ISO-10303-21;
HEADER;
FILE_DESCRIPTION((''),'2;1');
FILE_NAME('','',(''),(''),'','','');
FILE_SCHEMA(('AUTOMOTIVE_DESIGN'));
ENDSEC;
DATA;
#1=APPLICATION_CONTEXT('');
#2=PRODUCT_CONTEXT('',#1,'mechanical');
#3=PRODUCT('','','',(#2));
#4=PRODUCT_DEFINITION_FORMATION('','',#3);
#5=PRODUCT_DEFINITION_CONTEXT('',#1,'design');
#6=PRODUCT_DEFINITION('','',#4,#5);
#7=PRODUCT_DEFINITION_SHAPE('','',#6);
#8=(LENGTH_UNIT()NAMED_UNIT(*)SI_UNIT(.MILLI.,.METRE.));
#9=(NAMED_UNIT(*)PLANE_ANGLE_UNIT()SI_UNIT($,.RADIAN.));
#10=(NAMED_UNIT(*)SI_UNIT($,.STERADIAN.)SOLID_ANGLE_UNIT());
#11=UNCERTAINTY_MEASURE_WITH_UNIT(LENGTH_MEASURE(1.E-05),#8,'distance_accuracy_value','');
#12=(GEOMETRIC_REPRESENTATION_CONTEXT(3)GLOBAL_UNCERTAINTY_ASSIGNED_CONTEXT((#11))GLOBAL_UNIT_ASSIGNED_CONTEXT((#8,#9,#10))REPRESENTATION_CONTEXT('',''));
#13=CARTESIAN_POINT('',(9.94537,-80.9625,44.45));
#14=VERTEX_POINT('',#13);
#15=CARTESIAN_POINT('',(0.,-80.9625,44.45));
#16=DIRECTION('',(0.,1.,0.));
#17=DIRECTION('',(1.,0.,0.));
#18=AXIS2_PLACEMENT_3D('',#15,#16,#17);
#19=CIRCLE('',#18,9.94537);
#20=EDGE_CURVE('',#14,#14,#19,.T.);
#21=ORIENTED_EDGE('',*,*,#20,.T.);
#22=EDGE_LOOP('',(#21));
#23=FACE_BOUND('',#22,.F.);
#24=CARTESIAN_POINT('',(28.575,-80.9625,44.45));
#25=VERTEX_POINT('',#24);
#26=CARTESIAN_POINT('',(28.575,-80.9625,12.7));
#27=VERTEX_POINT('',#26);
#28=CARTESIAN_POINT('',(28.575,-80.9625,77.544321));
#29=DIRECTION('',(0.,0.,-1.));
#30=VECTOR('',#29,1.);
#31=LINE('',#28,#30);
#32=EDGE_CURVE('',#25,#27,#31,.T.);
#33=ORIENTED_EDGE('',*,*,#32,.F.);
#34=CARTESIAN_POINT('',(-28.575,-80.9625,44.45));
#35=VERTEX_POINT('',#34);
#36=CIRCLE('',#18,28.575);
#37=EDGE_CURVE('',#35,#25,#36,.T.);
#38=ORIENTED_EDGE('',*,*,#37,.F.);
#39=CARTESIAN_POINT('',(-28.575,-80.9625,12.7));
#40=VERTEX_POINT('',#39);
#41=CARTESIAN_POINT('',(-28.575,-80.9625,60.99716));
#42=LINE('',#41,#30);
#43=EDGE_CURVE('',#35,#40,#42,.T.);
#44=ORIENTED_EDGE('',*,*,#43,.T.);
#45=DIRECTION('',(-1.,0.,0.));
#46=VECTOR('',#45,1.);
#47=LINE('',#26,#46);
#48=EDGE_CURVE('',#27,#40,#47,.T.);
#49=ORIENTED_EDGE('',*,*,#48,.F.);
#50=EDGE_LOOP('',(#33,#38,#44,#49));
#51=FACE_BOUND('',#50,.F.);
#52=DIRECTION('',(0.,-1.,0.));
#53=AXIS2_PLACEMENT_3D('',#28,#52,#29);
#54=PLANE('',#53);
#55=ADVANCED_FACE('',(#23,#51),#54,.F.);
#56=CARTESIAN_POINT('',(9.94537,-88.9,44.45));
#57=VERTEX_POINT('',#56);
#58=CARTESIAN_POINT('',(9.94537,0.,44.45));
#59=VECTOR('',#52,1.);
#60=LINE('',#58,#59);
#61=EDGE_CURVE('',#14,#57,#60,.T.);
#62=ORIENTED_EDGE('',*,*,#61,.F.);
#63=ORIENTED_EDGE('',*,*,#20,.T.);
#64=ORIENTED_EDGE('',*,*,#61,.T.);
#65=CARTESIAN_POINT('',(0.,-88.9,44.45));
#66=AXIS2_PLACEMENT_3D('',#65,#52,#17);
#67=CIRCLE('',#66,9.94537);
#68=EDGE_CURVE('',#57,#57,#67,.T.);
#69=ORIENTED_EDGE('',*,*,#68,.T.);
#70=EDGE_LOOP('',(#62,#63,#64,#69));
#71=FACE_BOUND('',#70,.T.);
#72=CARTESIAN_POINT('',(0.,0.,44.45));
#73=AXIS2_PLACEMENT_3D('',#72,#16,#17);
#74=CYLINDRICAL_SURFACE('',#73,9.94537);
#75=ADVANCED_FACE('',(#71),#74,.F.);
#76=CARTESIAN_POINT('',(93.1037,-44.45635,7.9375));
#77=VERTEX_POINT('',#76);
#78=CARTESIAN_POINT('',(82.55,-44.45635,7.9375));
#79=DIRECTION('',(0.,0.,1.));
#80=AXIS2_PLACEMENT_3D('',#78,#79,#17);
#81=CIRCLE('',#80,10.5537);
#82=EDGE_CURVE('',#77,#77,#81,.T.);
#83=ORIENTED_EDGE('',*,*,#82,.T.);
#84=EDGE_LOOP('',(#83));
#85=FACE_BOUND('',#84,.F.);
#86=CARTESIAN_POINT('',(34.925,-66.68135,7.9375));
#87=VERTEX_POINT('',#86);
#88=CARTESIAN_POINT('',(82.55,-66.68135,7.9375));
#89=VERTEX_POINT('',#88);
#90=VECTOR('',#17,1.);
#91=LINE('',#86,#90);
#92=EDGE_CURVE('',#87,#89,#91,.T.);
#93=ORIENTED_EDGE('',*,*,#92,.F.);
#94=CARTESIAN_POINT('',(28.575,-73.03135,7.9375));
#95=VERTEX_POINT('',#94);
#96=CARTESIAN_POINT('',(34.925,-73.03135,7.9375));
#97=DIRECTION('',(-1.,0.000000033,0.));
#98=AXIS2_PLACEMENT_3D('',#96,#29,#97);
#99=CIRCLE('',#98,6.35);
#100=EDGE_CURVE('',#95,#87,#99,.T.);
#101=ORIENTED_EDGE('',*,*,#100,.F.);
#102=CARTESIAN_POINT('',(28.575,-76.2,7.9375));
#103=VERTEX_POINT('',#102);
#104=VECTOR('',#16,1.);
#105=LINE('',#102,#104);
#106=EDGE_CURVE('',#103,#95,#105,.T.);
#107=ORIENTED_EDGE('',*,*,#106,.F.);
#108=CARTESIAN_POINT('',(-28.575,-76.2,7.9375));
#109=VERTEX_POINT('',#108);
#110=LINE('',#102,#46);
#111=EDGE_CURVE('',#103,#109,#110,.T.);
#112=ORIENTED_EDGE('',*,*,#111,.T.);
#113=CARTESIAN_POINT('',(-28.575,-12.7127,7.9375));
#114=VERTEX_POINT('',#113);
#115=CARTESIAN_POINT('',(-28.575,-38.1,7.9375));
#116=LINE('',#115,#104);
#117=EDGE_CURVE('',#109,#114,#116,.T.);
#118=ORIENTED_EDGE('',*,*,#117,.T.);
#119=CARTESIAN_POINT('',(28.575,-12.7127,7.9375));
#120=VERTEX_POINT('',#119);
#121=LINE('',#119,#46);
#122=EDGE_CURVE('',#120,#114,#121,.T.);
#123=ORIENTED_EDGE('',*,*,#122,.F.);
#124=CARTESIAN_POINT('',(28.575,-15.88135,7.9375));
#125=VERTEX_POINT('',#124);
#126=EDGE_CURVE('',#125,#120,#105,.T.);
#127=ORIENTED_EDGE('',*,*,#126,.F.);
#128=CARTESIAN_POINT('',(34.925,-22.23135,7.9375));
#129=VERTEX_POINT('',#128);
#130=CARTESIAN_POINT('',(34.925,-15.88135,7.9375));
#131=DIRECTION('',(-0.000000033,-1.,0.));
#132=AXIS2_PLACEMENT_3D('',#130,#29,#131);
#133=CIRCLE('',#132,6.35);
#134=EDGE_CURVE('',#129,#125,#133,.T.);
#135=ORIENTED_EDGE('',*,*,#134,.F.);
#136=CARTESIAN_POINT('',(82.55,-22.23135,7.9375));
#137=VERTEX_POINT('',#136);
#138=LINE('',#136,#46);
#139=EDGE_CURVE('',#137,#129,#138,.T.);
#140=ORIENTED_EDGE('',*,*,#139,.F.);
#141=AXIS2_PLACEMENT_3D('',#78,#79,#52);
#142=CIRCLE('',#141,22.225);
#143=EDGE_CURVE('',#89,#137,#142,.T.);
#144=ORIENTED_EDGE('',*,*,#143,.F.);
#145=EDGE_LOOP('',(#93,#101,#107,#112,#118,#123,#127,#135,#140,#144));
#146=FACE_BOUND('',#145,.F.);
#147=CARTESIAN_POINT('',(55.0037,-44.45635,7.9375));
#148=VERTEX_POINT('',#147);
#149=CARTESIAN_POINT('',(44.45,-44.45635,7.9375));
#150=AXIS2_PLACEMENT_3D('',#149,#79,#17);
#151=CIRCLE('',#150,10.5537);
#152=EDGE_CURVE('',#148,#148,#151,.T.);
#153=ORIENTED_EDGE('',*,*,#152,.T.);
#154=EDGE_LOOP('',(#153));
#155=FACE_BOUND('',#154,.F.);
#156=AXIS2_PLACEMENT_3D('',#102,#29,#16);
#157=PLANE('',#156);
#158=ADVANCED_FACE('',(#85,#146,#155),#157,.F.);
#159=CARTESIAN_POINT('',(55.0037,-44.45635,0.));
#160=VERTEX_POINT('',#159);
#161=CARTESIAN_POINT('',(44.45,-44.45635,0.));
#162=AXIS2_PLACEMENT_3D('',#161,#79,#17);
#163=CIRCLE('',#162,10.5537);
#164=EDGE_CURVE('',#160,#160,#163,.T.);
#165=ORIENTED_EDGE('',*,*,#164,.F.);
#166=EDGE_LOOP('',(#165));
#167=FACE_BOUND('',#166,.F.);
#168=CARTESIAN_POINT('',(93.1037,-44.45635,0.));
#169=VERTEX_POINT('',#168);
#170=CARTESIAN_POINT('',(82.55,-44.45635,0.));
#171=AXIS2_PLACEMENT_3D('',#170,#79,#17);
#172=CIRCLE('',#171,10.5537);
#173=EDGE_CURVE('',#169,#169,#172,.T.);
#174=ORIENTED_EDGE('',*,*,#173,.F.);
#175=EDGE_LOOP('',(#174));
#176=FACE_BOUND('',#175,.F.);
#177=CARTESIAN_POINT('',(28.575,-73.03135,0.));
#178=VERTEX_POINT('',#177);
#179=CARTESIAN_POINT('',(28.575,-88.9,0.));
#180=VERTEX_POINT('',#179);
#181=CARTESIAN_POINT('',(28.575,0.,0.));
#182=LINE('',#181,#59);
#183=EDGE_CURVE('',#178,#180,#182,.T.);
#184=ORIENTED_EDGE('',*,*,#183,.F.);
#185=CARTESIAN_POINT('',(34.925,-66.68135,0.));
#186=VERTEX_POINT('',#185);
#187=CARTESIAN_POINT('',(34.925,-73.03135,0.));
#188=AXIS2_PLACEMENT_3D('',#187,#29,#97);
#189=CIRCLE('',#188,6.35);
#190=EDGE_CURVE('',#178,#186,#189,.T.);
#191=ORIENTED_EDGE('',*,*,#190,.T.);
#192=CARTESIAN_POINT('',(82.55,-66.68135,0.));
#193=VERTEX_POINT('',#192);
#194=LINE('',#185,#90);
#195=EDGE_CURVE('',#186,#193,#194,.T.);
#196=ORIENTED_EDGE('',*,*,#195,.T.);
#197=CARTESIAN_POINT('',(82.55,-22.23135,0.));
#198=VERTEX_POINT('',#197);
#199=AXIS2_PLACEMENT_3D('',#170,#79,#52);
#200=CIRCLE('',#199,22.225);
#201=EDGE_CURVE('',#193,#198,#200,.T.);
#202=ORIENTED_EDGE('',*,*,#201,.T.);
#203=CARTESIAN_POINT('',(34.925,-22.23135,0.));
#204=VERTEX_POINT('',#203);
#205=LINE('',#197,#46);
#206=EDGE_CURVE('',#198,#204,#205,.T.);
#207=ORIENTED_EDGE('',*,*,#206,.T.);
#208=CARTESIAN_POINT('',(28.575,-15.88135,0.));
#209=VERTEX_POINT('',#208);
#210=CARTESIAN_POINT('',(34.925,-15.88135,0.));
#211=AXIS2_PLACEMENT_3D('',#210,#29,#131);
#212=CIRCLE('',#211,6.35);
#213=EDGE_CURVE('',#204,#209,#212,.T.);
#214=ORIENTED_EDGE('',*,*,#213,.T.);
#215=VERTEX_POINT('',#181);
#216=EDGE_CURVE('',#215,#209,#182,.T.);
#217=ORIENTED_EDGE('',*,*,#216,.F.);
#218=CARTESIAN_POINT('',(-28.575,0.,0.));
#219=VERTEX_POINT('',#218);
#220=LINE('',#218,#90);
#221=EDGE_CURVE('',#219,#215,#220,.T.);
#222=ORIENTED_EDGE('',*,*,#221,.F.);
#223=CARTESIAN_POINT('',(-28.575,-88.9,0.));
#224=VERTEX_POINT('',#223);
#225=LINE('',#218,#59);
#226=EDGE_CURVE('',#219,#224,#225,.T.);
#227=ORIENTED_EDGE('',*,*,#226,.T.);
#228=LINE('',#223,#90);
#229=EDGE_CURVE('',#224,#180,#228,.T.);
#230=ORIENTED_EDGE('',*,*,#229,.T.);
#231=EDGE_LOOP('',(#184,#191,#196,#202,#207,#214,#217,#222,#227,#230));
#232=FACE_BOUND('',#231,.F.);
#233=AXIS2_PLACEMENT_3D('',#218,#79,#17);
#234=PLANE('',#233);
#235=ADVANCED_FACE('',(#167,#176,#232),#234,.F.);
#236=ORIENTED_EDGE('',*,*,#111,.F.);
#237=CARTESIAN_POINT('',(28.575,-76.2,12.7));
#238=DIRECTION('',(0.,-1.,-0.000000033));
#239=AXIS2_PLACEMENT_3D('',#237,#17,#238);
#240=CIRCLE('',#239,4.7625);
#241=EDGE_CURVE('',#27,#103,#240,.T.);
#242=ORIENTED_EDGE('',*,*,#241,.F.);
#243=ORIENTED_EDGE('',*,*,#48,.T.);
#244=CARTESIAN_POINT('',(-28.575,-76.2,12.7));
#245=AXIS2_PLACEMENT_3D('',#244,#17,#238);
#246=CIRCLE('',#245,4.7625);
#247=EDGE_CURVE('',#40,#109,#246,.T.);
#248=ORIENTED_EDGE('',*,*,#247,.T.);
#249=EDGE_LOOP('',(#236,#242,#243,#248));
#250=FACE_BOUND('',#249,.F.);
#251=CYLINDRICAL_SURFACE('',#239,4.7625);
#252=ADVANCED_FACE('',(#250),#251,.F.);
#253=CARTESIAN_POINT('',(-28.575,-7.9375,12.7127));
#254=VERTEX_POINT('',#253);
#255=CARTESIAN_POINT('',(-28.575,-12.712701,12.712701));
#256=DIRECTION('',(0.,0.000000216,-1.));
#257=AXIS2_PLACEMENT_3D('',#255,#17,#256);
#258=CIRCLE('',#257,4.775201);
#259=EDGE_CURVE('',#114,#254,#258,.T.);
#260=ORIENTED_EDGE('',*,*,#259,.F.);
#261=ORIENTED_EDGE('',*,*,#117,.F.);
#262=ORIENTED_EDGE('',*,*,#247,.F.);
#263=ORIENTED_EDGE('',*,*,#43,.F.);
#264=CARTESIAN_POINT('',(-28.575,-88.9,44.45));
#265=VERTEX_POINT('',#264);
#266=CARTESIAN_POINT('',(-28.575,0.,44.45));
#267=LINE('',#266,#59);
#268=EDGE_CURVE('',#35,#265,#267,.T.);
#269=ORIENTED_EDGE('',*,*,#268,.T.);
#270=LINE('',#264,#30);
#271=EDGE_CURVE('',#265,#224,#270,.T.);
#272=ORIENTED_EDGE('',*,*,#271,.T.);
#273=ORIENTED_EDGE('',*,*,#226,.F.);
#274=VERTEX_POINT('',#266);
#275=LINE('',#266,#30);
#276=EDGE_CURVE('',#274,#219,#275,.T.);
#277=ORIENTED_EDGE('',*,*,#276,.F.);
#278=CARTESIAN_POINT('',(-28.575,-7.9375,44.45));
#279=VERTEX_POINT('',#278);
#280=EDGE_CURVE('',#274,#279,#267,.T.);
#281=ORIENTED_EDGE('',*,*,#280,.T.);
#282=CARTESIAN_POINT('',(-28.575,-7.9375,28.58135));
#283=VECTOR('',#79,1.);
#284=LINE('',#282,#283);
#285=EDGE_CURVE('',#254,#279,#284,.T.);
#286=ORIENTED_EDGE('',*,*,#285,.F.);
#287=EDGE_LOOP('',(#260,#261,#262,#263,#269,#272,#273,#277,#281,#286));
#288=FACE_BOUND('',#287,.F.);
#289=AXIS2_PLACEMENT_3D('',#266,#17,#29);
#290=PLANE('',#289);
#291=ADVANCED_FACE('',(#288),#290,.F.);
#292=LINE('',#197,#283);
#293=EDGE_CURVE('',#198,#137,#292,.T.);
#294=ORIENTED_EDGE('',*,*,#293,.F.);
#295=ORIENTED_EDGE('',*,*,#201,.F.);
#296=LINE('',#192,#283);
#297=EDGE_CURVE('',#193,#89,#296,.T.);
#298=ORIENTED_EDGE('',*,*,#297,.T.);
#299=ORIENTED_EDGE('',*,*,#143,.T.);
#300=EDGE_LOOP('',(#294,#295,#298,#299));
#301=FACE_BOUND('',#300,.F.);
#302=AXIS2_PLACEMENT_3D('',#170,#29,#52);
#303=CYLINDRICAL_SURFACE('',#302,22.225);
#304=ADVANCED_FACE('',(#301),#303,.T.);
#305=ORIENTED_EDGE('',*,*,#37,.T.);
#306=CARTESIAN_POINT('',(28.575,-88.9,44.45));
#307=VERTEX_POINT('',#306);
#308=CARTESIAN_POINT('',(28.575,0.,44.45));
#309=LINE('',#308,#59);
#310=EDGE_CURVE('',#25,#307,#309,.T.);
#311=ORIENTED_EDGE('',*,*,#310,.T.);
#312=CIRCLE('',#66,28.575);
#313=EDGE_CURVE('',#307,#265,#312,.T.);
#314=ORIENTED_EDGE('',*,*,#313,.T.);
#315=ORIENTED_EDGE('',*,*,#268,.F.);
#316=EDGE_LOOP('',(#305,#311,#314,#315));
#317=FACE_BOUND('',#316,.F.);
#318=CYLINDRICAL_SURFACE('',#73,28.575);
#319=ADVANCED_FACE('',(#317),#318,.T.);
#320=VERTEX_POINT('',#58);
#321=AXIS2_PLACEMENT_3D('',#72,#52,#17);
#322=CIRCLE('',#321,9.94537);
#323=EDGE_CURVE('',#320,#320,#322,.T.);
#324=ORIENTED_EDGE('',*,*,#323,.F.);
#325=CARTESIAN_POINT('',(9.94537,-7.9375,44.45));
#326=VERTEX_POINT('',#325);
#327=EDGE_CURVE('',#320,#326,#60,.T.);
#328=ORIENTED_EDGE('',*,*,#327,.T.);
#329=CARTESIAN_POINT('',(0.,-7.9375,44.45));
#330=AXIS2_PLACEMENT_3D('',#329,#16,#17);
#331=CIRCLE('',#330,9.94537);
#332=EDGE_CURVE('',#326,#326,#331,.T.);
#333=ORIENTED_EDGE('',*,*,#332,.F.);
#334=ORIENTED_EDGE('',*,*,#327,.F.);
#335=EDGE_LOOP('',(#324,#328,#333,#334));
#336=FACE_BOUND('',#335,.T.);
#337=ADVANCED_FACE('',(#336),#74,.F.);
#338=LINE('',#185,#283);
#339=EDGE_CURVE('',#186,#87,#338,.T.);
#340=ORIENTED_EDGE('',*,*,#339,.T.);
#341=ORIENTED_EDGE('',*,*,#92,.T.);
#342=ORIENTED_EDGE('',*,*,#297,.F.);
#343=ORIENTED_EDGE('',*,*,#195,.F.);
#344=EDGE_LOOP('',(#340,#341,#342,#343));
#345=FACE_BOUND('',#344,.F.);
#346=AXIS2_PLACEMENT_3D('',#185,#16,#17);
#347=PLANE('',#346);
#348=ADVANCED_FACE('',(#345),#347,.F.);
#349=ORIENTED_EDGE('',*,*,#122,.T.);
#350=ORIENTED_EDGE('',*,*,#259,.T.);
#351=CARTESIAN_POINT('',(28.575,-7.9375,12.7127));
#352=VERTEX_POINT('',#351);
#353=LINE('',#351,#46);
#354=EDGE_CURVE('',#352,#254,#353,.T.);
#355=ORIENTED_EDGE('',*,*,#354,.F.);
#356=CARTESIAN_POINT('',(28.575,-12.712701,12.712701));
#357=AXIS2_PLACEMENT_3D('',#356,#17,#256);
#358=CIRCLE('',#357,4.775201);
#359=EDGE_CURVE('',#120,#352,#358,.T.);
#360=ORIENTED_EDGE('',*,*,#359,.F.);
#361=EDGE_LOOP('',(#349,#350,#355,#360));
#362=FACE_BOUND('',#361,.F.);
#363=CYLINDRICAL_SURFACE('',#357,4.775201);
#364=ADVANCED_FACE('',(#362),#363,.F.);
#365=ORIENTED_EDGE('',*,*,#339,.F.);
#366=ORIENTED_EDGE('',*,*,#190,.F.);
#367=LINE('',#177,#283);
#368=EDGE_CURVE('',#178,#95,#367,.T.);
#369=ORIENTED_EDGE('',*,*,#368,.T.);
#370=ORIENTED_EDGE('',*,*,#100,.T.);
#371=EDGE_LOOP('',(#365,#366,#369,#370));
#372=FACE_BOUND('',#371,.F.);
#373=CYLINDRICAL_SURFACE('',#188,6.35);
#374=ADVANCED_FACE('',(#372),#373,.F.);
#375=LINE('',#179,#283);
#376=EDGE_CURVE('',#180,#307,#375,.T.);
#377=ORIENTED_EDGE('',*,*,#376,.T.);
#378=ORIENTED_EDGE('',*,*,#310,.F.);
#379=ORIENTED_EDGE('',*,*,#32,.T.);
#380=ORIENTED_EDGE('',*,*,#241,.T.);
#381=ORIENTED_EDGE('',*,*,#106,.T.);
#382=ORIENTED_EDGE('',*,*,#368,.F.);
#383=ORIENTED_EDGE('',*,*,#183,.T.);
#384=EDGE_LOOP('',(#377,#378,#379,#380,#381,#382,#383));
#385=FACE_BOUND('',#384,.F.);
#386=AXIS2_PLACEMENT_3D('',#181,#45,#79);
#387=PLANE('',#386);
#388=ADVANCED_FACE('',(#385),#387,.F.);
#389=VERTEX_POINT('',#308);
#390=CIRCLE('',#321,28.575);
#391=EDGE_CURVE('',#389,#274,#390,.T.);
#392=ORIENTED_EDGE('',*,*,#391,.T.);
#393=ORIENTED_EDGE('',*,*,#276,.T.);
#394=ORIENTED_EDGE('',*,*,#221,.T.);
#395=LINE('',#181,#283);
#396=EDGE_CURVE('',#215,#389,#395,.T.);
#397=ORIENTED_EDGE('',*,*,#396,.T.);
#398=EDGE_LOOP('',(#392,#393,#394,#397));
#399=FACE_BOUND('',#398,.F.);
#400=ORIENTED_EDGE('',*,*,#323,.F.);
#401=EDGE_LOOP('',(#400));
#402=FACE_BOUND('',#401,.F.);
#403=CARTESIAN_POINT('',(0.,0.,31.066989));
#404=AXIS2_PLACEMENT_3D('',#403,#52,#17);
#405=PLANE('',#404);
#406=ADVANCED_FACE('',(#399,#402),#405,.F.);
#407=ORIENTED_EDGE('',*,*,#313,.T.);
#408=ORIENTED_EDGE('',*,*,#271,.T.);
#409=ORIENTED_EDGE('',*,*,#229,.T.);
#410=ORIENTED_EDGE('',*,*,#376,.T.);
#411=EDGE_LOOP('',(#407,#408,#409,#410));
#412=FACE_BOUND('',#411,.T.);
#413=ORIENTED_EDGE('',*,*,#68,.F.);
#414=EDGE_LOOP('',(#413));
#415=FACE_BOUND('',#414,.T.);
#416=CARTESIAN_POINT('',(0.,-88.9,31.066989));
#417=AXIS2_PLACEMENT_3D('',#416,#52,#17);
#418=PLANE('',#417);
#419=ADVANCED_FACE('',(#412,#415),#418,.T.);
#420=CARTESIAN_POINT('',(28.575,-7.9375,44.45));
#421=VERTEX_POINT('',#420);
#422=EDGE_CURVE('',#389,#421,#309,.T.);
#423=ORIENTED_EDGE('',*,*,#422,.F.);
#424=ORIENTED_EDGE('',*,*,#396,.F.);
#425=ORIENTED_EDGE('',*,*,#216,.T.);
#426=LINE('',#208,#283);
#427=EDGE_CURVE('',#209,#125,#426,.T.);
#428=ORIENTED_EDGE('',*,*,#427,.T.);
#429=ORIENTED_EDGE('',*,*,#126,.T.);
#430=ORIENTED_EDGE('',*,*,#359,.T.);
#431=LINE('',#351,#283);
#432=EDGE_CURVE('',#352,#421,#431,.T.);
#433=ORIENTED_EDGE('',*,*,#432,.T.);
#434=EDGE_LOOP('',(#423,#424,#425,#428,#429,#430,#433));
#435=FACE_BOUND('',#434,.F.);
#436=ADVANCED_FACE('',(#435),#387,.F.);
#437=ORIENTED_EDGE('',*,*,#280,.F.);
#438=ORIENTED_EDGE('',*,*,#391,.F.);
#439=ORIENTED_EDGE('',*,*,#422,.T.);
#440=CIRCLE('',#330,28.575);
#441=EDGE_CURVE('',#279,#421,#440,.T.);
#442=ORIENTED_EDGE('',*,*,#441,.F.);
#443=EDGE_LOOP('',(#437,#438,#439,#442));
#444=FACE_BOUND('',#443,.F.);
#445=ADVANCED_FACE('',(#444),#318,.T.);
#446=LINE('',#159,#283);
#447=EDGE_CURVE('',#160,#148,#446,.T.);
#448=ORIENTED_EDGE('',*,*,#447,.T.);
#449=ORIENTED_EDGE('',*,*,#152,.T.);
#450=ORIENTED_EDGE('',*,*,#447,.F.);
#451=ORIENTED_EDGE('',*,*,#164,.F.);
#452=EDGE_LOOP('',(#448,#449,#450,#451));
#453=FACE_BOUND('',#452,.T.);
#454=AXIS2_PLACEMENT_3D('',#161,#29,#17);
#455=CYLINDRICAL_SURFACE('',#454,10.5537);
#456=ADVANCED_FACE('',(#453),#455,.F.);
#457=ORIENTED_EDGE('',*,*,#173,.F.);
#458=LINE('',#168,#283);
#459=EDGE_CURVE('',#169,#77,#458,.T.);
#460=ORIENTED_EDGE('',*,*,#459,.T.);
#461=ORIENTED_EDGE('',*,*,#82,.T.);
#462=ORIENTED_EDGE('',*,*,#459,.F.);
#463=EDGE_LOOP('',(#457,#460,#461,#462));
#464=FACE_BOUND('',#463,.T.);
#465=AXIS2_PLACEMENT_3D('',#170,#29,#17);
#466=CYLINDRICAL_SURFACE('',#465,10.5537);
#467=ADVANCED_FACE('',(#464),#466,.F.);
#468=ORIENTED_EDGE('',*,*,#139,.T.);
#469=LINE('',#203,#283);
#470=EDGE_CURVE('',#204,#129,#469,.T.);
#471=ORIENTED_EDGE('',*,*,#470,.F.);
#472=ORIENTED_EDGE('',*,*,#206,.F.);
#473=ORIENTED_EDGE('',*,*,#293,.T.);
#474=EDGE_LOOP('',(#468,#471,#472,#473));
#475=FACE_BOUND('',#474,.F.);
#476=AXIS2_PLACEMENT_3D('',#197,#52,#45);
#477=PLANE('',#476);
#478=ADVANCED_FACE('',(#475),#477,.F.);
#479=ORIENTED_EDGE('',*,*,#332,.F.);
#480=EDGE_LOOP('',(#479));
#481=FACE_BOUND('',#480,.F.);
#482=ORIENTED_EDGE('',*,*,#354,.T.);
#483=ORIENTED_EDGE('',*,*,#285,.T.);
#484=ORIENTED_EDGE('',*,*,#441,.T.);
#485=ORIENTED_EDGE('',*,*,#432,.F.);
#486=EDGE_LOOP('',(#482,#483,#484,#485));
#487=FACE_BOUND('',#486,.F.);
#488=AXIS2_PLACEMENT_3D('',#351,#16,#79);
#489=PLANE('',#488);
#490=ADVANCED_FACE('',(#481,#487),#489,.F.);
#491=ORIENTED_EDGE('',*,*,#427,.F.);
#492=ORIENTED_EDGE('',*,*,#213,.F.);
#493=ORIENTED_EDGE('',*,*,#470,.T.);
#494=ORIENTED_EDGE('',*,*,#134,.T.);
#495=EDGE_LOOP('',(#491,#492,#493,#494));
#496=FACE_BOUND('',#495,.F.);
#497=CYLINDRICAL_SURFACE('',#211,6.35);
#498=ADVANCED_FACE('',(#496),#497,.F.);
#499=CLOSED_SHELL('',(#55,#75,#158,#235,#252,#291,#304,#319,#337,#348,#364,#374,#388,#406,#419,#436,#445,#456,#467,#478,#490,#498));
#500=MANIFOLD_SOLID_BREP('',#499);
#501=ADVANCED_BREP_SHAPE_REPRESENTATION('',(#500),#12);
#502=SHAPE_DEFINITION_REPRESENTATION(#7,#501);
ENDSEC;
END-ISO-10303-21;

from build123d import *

# Parameters (mm, degrees)
F0_R     = 9.94537
F1_DEPTH = 88.9
F3_DEPTH = 57.151
F4_R     = 10.5537
F5_DEPTH = 7.9375


with BuildPart() as f1:
    # F0 (on Front) → F1 (new body)
    with BuildSketch(Plane.XZ):
        with BuildLine():
            Line((28.575, 0), (28.575, 44.45))
            ThreePointArc((28.575, 44.45), (0, 73.025), (-28.575, 44.45))
            Line((-28.575, 44.45), (-28.575, 0))
            Line((-28.575, 0), (28.575, 0))
        make_face()
        with Locations((0, 44.45)):
            Circle(F0_R, mode=Mode.SUBTRACT)
    extrude(amount=F1_DEPTH)

    # F2 (on face) → F3 (cut, through all)
    with BuildSketch(Plane.YZ.offset(28.575)):
        with BuildLine():
            Line((-7.9375, 77.544321), (-80.9625, 77.544321))
            Line((-80.9625, 77.544321), (-80.9625, 12.7))
            ThreePointArc((-80.9625, 12.7), (-79.567596, 9.332404), (-76.2, 7.9375))
            Line((-76.2, 7.9375), (-12.7127, 7.9375))
            ThreePointArc((-12.7127, 7.9375), (-9.336124, 9.336124), (-7.9375, 12.7127))
            Line((-7.9375, 12.7127), (-7.9375, 77.544321))
        make_face()
    extrude(amount=-F3_DEPTH, mode=Mode.SUBTRACT)

    # F4 (on Top) → F5 (join)
    with BuildSketch(Plane.XY):
        with BuildLine():
            ThreePointArc((34.925, -22.23135), (30.434872, -20.371478), (28.575, -15.88135))
            Line((28.575, -15.88135), (28.575, -73.03135))
            ThreePointArc((28.575, -73.03135), (30.434872, -68.541222), (34.925, -66.68135))
            Line((34.925, -66.68135), (82.55, -66.68135))
            ThreePointArc((82.55, -66.68135), (104.775, -44.45635), (82.55, -22.23135))
            Line((82.55, -22.23135), (34.925, -22.23135))
        make_face()
        with Locations((44.45, -44.45635)):
            Circle(F4_R, mode=Mode.SUBTRACT)
        with Locations((82.55, -44.45635)):
            Circle(F4_R, mode=Mode.SUBTRACT)
    extrude(amount=F5_DEPTH)


solid = f1.part
